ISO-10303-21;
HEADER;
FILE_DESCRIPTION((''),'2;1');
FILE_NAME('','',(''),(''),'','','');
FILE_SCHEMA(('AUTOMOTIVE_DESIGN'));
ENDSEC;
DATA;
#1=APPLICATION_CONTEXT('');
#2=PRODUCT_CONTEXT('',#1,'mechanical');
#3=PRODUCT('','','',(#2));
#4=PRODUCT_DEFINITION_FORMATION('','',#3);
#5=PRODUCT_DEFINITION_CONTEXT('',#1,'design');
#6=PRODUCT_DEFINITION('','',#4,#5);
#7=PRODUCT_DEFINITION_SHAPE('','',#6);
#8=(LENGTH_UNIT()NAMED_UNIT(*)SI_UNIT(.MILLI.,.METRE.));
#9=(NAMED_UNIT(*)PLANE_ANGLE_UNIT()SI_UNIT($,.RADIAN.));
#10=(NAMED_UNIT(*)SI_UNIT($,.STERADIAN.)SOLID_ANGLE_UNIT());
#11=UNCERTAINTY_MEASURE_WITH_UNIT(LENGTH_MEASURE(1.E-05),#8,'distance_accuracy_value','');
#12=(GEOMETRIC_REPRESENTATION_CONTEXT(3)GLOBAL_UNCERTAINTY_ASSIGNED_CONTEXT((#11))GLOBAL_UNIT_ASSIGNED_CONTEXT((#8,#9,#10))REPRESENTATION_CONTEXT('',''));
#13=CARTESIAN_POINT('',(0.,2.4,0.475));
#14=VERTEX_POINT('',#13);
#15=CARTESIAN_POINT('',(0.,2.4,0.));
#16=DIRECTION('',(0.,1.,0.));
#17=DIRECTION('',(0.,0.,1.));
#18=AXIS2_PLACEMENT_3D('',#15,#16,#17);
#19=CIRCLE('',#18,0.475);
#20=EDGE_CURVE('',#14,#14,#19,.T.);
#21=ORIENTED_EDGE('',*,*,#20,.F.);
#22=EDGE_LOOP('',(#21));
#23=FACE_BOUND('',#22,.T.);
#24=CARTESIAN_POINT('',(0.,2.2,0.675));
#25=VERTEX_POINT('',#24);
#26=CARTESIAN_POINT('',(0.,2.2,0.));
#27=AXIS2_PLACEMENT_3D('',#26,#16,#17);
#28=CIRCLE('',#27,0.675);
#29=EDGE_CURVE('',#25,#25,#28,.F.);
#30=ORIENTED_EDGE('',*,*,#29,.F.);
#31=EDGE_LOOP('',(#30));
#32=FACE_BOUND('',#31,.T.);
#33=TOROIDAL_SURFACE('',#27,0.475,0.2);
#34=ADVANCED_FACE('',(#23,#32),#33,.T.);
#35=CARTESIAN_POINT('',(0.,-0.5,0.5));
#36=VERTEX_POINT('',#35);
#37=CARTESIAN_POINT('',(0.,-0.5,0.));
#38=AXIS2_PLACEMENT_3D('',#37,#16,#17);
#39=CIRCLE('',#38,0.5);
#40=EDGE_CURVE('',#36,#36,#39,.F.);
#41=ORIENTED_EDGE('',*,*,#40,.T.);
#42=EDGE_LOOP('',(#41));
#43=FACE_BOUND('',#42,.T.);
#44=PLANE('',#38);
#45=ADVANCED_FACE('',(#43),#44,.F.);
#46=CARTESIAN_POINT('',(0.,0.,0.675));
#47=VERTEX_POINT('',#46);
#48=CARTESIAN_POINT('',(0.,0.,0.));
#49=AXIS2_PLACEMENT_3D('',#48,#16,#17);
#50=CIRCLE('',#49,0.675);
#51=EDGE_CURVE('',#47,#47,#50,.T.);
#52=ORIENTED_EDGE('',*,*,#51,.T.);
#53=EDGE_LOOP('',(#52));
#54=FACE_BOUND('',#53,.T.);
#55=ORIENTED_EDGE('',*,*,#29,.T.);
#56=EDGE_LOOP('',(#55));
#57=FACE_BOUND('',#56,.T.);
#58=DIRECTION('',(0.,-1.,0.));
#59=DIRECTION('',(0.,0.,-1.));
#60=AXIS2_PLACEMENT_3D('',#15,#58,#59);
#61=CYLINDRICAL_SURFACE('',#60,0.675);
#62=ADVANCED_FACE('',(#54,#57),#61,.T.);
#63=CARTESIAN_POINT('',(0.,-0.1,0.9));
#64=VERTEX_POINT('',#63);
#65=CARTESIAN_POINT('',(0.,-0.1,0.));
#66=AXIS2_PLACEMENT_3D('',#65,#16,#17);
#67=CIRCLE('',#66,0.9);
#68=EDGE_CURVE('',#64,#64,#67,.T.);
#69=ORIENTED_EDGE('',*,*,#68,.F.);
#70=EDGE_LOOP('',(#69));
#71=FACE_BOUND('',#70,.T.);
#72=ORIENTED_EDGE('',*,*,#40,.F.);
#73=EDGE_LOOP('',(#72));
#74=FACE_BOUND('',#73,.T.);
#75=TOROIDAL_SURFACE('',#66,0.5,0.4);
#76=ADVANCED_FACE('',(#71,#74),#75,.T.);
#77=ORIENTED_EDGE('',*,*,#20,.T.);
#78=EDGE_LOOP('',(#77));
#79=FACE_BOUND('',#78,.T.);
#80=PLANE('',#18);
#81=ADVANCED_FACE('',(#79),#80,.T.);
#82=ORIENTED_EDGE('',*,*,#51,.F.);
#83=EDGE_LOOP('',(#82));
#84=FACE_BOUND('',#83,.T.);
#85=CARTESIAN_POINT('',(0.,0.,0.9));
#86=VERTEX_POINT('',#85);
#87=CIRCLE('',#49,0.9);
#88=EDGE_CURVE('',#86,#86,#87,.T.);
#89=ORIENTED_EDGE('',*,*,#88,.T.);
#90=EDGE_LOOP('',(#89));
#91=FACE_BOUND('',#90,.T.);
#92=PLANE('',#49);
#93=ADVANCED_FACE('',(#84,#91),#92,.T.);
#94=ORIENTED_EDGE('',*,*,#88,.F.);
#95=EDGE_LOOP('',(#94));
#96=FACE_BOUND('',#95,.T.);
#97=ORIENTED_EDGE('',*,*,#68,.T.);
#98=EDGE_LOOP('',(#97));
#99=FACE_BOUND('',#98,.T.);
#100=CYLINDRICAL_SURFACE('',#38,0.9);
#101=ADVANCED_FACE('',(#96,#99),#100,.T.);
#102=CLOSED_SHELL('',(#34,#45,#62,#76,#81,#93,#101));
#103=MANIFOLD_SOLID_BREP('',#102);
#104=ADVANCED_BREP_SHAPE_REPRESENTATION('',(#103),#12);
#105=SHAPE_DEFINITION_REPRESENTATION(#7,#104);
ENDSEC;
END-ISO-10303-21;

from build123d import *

# Parameters (mm, degrees)
SKETCH1_R           = 0.675
BOSS_EXTRUDE1_DEPTH = 2.4
SKETCH1_3_R         = 0.9
BOSS_EXTRUDE2_DEPTH = 0.5
FILLET1_R           = 0.4
FILLET2_R           = 0.2


with BuildPart() as part:
    # Sketch1 → Boss-Extrude1 (new body)
    with BuildSketch(Plane(origin=(0, 0, 0), x_dir=(1, 0, 0), z_dir=(0, 1, 0))):
        Circle(SKETCH1_R)
    extrude(amount=BOSS_EXTRUDE1_DEPTH)

    # Sketch1<3> → Boss-Extrude2 (add)
    with BuildSketch(Plane(origin=(0, 0, 0), x_dir=(1, 0, 0), z_dir=(0, 1, 0))):
        Circle(SKETCH1_3_R)
    extrude(amount=-BOSS_EXTRUDE2_DEPTH)

    # Fillet1
    fillet1_edges = [part.edges().sort_by_distance(p)[0] for p in [
        (-0.9, -0.5, 0),
    ]]
    fillet(fillet1_edges, radius=FILLET1_R)

    # Fillet2
    fillet2_edges = [part.edges().sort_by_distance(p)[0] for p in [
        (-0.675, 2.4, 0),
    ]]
    fillet(fillet2_edges, radius=FILLET2_R)


solid = part.part
